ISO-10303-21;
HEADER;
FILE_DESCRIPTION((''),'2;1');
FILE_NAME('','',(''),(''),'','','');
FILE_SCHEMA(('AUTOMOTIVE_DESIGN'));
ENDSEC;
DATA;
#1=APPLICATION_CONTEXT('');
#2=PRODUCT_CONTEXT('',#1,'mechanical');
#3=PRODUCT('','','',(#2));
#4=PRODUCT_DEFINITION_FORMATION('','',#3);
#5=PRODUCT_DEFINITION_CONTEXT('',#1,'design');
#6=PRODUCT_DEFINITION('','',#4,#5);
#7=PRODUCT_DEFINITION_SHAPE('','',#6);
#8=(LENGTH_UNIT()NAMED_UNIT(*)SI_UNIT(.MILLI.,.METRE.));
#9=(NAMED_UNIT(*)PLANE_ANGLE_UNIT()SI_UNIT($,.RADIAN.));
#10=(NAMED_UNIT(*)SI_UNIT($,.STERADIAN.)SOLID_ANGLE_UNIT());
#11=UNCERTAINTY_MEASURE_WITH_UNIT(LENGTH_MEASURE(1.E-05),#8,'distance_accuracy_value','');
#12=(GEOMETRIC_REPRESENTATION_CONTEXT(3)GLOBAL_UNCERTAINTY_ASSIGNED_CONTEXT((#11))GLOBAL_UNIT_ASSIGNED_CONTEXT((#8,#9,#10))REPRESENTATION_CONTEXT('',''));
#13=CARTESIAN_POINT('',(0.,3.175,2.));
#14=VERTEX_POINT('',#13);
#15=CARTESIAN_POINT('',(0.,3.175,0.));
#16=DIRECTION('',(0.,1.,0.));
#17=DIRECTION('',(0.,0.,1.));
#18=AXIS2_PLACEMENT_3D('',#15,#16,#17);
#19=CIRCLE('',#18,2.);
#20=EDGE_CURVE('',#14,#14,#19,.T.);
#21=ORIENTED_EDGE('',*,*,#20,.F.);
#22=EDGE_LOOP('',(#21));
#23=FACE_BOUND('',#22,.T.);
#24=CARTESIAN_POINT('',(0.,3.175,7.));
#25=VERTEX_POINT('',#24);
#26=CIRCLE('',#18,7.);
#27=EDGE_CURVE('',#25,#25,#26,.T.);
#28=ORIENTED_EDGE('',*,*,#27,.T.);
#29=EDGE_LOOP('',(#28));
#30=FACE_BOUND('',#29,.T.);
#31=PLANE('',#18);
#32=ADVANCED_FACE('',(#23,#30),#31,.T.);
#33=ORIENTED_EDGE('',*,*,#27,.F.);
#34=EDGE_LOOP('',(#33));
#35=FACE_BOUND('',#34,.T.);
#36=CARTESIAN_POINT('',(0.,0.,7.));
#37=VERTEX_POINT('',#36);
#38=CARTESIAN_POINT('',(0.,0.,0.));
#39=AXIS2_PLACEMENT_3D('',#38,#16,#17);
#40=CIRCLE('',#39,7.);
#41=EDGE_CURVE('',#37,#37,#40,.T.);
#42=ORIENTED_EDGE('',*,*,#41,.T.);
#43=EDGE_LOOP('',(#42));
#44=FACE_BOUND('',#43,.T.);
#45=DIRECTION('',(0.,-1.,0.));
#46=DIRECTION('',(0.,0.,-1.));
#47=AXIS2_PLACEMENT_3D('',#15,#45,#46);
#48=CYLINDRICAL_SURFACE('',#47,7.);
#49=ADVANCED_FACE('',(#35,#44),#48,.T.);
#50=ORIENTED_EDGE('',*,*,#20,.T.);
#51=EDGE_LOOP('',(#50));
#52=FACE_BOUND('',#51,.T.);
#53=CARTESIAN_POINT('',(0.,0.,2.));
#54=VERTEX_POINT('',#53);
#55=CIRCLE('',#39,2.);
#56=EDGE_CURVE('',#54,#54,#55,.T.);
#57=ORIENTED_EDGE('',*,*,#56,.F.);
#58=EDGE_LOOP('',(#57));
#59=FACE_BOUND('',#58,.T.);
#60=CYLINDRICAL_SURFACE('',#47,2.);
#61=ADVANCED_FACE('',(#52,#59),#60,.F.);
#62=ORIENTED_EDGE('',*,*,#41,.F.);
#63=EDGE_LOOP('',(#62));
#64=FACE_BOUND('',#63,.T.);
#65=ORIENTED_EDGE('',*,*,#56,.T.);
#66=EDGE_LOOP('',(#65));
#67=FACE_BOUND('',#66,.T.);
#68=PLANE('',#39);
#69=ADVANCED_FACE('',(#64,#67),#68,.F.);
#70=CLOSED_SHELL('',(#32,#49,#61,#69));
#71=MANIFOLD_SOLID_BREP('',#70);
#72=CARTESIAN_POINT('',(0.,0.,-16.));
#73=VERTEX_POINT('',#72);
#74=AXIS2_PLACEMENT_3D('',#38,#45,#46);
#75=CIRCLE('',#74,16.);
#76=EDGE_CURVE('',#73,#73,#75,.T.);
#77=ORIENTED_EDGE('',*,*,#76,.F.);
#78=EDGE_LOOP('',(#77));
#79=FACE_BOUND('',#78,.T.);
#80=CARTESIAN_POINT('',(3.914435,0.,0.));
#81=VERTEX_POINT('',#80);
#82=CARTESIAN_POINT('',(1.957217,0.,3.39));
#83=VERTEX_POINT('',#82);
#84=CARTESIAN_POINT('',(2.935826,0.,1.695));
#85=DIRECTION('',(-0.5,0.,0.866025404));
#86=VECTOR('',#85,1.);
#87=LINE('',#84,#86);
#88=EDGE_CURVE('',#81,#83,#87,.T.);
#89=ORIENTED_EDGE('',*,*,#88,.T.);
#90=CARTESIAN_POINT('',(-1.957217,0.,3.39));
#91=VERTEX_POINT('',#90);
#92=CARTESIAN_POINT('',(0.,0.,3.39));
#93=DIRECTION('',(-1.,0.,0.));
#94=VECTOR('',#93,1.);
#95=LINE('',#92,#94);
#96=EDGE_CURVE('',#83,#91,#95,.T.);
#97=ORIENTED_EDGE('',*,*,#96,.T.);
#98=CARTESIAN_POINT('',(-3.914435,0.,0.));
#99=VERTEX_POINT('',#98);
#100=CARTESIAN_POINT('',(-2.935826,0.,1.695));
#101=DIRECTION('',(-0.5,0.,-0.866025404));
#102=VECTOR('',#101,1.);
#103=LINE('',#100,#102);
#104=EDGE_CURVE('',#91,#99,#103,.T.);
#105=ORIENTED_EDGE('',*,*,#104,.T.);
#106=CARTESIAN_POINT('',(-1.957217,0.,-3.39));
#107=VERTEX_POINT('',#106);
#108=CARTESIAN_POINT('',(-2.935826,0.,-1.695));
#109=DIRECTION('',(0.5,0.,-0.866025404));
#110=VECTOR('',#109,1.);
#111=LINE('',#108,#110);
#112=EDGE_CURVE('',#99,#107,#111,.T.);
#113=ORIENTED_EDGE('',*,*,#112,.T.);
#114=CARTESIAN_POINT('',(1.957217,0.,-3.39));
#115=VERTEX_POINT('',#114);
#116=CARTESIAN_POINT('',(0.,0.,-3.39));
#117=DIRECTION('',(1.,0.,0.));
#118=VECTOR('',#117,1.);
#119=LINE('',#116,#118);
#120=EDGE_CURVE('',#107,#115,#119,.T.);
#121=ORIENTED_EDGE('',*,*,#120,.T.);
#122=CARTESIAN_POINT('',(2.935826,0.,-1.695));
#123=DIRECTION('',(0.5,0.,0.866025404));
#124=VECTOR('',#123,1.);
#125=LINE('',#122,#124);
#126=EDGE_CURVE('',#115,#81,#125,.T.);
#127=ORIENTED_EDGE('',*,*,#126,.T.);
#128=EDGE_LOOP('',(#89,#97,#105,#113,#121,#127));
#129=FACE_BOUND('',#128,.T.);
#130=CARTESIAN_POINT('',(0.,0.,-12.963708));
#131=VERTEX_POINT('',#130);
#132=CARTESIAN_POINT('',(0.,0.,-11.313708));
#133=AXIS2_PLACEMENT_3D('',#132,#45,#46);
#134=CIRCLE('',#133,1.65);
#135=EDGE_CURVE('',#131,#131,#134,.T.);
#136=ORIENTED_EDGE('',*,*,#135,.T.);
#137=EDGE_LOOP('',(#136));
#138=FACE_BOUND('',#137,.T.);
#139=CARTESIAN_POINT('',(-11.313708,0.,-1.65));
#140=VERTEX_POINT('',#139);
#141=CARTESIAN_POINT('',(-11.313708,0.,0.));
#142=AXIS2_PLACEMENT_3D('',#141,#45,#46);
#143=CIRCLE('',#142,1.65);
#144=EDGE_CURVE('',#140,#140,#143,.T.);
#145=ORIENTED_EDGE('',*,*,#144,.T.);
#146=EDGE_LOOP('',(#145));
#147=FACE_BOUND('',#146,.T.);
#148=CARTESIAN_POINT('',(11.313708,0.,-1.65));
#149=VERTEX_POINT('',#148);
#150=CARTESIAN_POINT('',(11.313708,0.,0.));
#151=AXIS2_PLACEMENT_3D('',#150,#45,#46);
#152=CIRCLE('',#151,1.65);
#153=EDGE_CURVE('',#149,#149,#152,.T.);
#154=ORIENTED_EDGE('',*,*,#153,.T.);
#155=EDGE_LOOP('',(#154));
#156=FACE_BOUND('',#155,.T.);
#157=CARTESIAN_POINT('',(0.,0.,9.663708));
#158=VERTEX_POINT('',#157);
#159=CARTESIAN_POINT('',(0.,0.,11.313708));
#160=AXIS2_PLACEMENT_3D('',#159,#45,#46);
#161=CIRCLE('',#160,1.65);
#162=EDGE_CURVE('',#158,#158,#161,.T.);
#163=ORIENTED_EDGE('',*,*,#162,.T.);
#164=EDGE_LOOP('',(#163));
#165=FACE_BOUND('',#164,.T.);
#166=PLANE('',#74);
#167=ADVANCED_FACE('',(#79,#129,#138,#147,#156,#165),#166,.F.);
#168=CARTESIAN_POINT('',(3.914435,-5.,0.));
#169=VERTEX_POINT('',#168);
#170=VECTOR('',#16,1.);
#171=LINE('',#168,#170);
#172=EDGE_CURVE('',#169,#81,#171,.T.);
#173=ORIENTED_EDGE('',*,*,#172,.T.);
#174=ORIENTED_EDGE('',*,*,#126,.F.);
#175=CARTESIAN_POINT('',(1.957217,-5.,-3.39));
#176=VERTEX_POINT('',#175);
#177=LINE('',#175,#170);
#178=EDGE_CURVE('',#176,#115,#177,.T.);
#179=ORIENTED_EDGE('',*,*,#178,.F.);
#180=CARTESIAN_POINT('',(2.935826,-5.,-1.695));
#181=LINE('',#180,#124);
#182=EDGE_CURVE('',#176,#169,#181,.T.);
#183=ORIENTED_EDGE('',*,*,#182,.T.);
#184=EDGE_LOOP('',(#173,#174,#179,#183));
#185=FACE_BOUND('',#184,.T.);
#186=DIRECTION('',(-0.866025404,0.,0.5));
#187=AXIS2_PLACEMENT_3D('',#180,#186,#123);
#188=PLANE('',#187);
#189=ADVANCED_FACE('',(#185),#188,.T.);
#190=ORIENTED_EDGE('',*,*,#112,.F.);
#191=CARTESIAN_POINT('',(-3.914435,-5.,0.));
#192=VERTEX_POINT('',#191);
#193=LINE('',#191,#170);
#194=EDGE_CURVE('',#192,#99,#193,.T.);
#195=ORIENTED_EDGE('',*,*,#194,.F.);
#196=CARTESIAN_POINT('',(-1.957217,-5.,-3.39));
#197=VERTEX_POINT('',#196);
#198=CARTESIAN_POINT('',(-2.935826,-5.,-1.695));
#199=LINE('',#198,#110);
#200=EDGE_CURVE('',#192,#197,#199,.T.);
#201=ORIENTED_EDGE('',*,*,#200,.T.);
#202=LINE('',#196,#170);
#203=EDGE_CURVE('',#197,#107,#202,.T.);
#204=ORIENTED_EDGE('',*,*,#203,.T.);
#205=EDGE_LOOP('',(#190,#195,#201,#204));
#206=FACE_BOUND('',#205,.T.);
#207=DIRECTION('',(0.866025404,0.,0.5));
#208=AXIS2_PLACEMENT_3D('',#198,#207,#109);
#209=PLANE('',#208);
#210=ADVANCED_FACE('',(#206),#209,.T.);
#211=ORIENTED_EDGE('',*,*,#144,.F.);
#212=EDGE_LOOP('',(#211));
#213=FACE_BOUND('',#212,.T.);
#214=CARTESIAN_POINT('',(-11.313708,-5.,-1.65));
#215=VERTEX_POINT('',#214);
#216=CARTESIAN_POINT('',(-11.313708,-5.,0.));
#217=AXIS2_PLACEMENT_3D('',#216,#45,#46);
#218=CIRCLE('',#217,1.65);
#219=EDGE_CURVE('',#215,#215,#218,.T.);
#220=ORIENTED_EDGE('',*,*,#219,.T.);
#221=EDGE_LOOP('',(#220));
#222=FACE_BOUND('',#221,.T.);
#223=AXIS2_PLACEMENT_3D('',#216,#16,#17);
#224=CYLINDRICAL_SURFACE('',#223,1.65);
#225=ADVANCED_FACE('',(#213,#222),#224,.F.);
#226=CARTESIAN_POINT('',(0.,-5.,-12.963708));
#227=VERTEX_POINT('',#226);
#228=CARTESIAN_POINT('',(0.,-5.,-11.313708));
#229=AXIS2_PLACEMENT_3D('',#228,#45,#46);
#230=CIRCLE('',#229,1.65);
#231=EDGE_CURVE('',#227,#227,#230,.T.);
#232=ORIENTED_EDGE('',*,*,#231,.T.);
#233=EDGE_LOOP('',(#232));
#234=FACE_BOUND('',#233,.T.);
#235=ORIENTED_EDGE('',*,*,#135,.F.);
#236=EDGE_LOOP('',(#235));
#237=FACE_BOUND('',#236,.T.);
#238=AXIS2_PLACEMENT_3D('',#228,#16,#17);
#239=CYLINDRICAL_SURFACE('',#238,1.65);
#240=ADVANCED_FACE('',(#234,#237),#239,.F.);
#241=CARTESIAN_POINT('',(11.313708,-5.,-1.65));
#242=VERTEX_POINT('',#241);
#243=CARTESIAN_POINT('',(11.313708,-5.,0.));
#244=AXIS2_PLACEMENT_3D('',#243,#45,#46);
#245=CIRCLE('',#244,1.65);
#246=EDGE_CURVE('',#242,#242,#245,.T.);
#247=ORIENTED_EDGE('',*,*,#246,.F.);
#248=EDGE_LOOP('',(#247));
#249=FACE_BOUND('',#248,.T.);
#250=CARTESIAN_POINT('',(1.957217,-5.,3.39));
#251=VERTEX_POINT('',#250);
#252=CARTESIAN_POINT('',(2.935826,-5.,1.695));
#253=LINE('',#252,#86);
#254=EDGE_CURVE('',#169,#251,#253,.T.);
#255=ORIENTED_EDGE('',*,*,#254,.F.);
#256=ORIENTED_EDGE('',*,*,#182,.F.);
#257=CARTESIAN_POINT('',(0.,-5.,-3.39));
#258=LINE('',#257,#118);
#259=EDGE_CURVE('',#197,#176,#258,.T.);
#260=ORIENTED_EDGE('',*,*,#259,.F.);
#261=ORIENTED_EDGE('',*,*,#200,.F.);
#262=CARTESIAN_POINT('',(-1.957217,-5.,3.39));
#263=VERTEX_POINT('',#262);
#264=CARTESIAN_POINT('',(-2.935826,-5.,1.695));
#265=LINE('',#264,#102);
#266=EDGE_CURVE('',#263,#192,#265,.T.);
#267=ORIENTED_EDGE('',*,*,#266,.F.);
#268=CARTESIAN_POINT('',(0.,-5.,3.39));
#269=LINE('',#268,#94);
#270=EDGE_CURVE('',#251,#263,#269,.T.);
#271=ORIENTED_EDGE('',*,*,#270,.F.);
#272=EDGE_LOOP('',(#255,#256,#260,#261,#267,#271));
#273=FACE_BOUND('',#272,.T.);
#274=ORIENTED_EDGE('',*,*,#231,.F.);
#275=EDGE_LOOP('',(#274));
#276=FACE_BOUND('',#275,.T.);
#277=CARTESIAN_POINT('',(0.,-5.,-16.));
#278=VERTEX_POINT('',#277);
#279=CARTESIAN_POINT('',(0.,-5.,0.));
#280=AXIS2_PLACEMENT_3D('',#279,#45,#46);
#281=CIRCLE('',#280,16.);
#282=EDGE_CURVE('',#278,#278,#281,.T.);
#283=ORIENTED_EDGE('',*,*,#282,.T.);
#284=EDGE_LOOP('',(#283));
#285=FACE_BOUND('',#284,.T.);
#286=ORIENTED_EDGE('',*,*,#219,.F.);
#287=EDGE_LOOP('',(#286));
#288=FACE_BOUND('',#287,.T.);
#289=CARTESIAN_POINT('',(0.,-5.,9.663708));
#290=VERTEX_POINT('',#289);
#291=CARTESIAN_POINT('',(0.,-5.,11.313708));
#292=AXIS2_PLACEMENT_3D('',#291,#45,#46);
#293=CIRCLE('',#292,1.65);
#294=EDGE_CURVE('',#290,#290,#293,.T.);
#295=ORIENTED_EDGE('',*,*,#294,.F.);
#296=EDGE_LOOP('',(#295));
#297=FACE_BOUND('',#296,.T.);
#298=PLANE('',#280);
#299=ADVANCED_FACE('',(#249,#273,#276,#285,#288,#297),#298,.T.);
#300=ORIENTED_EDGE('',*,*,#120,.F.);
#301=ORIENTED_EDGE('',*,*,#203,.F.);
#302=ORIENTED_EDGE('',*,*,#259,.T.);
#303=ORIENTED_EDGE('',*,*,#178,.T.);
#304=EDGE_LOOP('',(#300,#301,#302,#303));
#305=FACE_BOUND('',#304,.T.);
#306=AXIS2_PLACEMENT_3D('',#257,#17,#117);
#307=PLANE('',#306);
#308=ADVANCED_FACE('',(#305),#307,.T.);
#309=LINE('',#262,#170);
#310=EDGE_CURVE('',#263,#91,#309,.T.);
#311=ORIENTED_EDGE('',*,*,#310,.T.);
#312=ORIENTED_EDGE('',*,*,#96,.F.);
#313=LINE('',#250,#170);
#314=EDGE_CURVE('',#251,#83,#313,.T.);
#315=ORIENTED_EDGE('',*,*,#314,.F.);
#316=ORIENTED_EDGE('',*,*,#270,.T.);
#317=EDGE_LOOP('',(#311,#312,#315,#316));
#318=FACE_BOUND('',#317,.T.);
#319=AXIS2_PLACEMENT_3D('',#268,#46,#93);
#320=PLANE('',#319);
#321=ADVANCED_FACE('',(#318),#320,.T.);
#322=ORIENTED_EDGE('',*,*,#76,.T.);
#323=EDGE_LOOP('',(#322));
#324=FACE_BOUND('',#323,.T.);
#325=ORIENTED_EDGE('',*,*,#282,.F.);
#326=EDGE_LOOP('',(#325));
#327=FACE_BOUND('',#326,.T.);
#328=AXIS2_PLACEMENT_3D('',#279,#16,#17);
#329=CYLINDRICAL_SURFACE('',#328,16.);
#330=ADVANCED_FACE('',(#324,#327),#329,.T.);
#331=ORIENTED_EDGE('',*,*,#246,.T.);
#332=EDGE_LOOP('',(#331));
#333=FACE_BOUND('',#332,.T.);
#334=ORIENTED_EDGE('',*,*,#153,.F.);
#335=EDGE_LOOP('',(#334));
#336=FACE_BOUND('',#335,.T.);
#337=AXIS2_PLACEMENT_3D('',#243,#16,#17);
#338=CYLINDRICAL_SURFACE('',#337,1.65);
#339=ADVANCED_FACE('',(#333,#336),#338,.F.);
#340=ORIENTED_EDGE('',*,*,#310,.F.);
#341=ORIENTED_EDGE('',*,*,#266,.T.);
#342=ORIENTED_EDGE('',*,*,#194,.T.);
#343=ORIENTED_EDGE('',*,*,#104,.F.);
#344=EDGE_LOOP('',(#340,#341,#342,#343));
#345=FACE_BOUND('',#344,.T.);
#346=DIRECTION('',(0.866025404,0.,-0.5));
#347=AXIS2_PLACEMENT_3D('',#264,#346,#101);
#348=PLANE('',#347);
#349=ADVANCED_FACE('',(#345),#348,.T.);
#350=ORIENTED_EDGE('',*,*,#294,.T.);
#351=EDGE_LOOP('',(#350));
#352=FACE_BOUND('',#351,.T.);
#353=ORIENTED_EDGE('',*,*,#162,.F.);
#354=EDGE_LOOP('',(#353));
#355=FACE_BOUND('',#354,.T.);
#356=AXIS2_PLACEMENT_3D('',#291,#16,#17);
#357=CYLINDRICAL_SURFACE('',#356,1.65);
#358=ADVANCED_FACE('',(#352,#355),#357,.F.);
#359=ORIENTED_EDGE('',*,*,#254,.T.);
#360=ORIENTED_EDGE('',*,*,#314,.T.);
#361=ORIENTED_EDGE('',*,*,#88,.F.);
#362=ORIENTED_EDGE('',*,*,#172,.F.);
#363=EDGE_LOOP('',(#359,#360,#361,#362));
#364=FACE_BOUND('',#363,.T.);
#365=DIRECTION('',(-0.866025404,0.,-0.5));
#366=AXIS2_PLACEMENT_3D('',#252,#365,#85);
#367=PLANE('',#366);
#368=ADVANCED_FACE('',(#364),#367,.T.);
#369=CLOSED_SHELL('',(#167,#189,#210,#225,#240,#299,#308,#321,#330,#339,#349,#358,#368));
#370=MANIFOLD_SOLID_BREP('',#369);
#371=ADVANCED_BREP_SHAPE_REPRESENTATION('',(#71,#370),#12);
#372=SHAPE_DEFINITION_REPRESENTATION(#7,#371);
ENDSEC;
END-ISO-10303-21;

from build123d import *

# Parameters (mm, degrees)
SKETCH1_R           = 7
SKETCH1_R_2         = 2
BOSS_EXTRUDE1_DEPTH = 3.175
SKETCH2_R           = 16
SKETCH2_R_2         = 1.65
BOSS_EXTRUDE2_DEPTH = 5


with BuildPart() as part:
    # Sketch1 → Boss-Extrude1 (new body)
    with BuildSketch(Plane(origin=(0, 0, 0), x_dir=(1, 0, 0), z_dir=(0, 1, 0))):
        with Locations(Location((0, 0, 0), (0, 0, 270))):
            Circle(SKETCH1_R)
        with Locations(Location((0, 0, 0), (0, 0, 270))):
            Circle(SKETCH1_R_2, mode=Mode.SUBTRACT)
    extrude(amount=BOSS_EXTRUDE1_DEPTH)


with BuildPart() as body_2:
    # Sketch2 → Boss-Extrude2 (new body)
    with BuildSketch(Plane(origin=(0, 0, 0), x_dir=(-1, 0, 0), z_dir=(0, -1, 0))):
        with Locations(Location((0, 0, 0), (0, 0, 90))):
            Circle(SKETCH2_R)
        with Locations(Location((11.313708499, 0, 0), (0, 0, 90))):
            Circle(SKETCH2_R_2, mode=Mode.SUBTRACT)
        with Locations(Location((0, 11.313708499, 0), (0, 0, 90))):
            Circle(SKETCH2_R_2, mode=Mode.SUBTRACT)
        with Locations(Location((-11.313708499, 0, 0), (0, 0, 90))):
            Circle(SKETCH2_R_2, mode=Mode.SUBTRACT)
        with Locations(Location((0, -11.313708499, 0), (0, 0, 90))):
            Circle(SKETCH2_R_2, mode=Mode.SUBTRACT)
        Polygon((3.914434825, 0), (1.957217413, 3.39), (-1.957217413, 3.39), (-3.914434825, 0), (-1.957217413, -3.39), (1.957217413, -3.39), align=None, mode=Mode.SUBTRACT)
    extrude(amount=BOSS_EXTRUDE2_DEPTH)


solid = Compound([part.part, body_2.part])
